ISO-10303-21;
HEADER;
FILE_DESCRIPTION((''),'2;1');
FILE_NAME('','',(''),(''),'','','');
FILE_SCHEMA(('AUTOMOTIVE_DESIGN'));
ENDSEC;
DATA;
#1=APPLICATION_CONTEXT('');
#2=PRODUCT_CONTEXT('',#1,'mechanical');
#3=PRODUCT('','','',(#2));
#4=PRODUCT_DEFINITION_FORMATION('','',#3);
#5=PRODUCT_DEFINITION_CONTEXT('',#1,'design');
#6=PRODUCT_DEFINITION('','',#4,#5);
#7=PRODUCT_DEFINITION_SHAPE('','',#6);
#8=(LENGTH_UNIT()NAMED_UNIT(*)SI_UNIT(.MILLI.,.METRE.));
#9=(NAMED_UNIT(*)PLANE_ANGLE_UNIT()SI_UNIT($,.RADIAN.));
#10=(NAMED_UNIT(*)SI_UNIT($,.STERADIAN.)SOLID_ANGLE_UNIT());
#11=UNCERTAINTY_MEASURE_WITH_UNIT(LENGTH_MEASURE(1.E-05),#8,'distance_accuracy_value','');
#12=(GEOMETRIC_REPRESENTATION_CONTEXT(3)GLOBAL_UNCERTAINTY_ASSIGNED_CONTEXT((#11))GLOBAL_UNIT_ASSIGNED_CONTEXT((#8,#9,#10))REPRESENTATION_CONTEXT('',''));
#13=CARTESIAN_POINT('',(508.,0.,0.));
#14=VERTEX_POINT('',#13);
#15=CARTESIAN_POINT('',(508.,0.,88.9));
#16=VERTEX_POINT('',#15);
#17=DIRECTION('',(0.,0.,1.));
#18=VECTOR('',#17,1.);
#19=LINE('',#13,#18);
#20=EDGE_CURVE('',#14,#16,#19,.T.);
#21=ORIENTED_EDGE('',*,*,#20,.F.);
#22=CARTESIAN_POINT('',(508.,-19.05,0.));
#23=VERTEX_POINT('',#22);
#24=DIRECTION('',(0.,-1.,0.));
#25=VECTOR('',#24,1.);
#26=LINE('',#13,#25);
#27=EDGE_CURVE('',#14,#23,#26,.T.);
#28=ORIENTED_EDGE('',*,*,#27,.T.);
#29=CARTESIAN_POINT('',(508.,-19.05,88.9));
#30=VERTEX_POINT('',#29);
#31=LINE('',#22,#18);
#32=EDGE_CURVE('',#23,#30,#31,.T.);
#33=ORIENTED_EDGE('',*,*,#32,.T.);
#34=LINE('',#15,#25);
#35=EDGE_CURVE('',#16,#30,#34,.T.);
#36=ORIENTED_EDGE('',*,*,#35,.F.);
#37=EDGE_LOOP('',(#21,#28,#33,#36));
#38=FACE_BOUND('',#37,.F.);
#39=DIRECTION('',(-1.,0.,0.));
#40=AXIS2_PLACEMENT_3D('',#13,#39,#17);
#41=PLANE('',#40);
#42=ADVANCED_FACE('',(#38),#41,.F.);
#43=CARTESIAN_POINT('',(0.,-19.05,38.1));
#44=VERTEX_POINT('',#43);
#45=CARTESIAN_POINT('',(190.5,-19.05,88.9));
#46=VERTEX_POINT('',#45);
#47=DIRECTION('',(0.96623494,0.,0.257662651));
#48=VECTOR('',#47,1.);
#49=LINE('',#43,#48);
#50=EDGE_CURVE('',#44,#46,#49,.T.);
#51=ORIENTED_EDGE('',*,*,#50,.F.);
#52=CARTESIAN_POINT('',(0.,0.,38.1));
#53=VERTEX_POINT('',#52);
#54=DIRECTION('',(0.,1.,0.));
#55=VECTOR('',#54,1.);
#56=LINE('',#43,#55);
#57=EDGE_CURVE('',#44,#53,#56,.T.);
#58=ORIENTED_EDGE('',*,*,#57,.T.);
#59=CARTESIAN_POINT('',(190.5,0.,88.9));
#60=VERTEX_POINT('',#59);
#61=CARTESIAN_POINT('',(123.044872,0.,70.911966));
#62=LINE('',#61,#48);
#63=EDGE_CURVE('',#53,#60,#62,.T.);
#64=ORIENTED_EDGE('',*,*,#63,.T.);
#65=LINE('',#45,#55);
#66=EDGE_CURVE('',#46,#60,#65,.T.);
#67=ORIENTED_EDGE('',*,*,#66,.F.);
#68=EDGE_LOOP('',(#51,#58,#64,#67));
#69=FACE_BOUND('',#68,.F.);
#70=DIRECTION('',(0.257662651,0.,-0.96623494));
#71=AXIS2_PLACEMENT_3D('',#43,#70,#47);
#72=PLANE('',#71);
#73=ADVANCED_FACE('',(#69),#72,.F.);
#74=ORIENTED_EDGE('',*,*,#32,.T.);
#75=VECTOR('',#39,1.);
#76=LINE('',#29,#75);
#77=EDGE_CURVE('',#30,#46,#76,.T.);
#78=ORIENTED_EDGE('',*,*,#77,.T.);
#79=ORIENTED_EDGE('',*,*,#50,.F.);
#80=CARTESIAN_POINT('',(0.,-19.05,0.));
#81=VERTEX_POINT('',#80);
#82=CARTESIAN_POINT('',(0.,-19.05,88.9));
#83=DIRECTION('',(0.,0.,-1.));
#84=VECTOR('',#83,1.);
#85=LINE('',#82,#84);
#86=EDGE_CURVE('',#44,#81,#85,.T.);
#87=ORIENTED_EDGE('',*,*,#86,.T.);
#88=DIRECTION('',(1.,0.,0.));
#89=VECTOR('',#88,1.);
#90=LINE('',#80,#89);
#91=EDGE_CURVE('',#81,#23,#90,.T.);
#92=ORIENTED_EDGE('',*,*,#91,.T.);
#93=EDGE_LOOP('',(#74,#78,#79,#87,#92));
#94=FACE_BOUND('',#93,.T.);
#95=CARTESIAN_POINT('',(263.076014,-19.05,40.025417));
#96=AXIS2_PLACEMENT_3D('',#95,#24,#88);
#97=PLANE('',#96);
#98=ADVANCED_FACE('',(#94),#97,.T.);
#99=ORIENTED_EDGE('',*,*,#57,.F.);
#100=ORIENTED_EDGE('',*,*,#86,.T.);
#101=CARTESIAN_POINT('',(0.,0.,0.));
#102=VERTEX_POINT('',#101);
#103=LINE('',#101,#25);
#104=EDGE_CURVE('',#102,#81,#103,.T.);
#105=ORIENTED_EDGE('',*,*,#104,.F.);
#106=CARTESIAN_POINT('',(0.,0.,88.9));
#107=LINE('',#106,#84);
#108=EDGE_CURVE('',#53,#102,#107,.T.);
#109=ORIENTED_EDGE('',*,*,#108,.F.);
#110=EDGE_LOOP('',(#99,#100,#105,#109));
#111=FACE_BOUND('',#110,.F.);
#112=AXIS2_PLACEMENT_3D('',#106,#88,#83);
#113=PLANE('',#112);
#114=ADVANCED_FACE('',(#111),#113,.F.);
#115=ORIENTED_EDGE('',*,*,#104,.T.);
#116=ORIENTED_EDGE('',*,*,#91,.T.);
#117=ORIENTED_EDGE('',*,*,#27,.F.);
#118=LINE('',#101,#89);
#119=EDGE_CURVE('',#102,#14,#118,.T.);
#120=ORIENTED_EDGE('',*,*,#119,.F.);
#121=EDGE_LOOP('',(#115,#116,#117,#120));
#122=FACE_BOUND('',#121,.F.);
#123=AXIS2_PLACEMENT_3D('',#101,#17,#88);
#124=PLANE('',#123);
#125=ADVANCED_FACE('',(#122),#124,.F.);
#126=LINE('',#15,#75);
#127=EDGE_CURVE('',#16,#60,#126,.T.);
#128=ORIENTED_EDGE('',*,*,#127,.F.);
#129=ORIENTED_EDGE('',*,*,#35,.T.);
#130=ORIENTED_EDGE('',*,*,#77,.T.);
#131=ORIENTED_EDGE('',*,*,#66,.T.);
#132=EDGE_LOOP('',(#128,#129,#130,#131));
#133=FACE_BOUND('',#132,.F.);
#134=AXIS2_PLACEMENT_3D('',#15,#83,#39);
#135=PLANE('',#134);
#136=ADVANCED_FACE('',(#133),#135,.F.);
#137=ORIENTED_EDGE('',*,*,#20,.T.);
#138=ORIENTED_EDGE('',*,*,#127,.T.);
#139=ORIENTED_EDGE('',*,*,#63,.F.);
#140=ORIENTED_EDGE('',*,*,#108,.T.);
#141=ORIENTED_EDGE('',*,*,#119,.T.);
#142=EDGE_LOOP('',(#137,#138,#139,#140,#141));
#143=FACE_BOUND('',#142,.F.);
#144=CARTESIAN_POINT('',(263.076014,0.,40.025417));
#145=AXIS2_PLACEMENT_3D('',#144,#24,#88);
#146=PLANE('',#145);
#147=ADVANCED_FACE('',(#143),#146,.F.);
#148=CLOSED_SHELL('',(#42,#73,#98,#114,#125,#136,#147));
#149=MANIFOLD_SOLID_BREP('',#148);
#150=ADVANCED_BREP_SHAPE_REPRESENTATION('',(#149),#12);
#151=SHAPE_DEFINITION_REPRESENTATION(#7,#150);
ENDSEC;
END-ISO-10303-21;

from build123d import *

# Parameters (mm, degrees)
F1_DEPTH = 19.05
F3_DEPTH = 25.4


with BuildPart() as f1:
    # F0 (on Front) → F1 (new body)
    with BuildSketch(Plane.XZ):
        Polygon((0, 44.45), (0, 0), (508, 0), (508, 88.9), (190.5, 88.9), align=None)
        Polygon((0, 88.9), (0, 44.45), (190.5, 88.9), align=None)
    extrude(amount=F1_DEPTH)

    # F2 (on face) → F3 (cut)
    with BuildSketch(Plane.XZ.offset(19.05)):
        Polygon((0, 38.1), (190.5, 88.9), (0, 88.9), align=None)
    extrude(amount=-F3_DEPTH, mode=Mode.SUBTRACT)


solid = f1.part
